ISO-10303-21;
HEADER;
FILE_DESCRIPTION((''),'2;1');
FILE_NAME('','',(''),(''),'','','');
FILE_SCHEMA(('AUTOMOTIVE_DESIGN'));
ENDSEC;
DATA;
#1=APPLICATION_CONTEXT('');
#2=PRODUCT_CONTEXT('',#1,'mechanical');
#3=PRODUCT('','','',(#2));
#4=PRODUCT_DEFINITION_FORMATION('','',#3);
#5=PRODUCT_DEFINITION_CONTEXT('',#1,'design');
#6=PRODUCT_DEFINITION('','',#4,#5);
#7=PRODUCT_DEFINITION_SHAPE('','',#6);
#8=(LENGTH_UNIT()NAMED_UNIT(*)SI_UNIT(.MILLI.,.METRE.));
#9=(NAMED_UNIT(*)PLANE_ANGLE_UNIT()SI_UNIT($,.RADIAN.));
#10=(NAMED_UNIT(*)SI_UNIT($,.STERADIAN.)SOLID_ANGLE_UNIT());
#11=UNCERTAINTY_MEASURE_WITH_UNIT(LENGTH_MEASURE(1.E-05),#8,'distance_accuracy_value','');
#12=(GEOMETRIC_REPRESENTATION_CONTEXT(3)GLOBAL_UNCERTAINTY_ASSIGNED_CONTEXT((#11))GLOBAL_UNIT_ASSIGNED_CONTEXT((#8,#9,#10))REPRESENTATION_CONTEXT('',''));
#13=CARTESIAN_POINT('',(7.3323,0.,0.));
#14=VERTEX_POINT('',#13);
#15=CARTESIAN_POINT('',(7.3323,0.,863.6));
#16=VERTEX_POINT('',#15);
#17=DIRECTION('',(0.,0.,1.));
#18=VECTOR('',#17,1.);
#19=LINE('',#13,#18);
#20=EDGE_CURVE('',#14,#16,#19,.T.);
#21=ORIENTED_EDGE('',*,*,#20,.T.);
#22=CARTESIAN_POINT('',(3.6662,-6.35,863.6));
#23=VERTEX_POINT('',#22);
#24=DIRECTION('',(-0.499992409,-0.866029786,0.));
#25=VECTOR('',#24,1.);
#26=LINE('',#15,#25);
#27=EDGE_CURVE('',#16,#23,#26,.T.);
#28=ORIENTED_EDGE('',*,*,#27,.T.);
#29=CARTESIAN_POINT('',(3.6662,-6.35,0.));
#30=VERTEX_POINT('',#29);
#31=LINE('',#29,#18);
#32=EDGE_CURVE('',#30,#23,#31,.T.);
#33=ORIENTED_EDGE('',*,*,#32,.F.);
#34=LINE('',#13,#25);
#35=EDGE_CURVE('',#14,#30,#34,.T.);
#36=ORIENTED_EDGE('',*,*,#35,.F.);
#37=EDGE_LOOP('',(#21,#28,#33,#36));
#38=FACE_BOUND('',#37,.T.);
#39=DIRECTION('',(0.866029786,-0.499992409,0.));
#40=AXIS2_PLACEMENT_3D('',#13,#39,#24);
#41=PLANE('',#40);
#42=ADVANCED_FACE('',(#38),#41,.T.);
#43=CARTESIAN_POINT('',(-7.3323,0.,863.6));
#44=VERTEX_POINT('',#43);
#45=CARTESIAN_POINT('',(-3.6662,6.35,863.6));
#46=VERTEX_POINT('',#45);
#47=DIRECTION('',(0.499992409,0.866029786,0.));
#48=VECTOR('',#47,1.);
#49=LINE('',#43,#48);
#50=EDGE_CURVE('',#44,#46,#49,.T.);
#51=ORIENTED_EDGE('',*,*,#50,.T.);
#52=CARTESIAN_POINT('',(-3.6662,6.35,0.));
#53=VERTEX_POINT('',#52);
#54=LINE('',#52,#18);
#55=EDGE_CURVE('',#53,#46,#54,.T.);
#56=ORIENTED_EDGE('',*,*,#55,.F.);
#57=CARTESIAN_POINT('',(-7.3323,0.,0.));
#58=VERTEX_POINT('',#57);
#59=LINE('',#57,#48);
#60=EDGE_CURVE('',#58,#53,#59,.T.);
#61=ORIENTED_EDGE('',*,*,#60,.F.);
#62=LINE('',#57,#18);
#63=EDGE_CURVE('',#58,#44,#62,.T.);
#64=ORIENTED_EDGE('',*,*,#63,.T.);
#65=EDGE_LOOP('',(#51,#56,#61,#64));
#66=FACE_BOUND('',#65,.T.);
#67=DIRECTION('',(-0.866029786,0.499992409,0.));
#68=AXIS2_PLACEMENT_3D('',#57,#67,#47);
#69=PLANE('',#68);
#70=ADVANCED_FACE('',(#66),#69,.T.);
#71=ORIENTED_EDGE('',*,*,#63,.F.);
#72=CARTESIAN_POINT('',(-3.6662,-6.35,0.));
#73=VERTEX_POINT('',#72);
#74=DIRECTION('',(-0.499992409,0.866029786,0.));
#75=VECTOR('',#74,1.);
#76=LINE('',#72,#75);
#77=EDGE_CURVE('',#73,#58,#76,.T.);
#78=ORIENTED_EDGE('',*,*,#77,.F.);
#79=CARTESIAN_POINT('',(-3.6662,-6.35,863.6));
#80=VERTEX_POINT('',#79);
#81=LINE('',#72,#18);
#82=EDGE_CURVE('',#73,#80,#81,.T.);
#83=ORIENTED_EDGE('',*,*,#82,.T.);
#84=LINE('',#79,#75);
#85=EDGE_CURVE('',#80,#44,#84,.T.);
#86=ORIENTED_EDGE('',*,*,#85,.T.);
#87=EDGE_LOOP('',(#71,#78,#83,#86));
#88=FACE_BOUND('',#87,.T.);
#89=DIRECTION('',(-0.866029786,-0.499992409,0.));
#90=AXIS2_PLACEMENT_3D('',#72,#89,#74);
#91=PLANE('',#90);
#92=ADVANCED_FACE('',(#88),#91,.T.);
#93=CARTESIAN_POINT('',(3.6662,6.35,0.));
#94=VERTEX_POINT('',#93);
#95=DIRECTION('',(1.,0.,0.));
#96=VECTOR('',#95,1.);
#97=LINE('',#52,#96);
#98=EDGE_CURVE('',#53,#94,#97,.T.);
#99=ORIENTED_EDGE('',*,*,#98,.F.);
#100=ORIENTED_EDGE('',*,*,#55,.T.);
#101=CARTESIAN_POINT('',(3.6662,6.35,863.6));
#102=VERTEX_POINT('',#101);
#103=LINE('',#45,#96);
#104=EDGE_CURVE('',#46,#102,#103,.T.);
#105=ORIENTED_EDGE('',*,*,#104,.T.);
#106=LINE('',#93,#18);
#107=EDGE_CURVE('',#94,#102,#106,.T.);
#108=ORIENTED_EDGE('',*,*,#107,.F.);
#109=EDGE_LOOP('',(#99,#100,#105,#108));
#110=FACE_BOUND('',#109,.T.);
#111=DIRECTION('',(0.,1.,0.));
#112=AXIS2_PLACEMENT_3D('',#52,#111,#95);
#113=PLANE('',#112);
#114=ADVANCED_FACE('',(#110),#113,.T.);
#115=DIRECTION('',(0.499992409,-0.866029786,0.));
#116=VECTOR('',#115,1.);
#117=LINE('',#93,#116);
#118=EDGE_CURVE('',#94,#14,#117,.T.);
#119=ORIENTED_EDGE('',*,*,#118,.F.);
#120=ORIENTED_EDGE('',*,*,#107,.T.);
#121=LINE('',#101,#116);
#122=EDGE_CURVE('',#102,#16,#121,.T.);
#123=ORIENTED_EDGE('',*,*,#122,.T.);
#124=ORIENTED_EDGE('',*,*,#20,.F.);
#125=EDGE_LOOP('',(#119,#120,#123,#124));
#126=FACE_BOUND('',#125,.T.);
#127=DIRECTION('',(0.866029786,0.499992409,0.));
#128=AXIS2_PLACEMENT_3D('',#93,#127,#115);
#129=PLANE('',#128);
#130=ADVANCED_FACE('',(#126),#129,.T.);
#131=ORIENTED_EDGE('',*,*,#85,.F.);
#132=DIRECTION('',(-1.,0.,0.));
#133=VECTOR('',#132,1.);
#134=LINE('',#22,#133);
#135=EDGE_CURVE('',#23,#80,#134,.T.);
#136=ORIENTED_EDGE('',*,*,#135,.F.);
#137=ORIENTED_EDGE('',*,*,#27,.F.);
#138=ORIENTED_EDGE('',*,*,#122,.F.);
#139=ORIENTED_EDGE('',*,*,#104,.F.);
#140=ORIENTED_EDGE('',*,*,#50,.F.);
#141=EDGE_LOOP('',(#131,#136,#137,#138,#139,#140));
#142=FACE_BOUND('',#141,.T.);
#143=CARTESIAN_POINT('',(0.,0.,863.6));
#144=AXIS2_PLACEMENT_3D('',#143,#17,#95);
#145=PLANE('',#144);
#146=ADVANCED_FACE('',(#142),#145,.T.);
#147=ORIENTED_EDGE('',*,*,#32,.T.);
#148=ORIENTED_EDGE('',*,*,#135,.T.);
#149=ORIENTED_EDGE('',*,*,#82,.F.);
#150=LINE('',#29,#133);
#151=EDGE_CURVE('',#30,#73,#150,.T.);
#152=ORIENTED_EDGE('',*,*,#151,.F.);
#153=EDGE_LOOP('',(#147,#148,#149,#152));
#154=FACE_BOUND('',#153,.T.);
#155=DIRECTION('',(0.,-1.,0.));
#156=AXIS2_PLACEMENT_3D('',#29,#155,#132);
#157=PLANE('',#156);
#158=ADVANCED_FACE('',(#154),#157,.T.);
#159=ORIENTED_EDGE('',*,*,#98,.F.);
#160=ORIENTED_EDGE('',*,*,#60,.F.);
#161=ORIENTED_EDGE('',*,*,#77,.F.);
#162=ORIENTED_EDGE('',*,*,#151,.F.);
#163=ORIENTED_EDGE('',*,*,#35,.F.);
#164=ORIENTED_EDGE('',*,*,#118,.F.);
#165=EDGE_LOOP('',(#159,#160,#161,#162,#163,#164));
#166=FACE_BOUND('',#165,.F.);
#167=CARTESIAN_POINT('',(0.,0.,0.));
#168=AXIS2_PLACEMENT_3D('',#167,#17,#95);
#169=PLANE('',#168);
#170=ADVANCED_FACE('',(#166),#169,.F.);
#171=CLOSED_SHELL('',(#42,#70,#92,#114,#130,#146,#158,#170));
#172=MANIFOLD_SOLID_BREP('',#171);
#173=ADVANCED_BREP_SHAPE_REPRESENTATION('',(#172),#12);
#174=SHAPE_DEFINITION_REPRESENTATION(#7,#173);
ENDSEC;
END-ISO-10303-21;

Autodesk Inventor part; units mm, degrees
ref_plane "YZ Plane" through (0, 0, 0) normal (1, 0, 0) x (0, 1, 0)
ref_plane "XZ Plane" through (0, 0, 0) normal (0, 1, 0) x (-1, 0, 0)
ref_plane "XY Plane" through (0, 0, 0) normal (0, 0, 1) x (1, 0, 0)
sketch "Sketch1" plane through (0, 0, 0) normal (0, 0, 1) x (1, 0, 0)
  line L0 (3.6662, 6.35) -> (7.3323, 0)
  line L1 (7.3323, 0) -> (3.6662, -6.35)
  line L2 (3.6662, -6.35) -> (-3.6662, -6.35)
  line L3 (-3.6662, -6.35) -> (-7.3323, 0)
  line L4 (-7.3323, 0) -> (-3.6662, 6.35)
  line L5 (-3.6662, 6.35) -> (3.6662, 6.35)
  point P0 (0, 0)
  point P1 (0, 0)
  dimension "d0" = 12.7
extrude "Extrusion1" add sketch "Sketch1" along normal blind 863.6
properties part number "hex rod 34 inch" material "Steel, Alloy"
